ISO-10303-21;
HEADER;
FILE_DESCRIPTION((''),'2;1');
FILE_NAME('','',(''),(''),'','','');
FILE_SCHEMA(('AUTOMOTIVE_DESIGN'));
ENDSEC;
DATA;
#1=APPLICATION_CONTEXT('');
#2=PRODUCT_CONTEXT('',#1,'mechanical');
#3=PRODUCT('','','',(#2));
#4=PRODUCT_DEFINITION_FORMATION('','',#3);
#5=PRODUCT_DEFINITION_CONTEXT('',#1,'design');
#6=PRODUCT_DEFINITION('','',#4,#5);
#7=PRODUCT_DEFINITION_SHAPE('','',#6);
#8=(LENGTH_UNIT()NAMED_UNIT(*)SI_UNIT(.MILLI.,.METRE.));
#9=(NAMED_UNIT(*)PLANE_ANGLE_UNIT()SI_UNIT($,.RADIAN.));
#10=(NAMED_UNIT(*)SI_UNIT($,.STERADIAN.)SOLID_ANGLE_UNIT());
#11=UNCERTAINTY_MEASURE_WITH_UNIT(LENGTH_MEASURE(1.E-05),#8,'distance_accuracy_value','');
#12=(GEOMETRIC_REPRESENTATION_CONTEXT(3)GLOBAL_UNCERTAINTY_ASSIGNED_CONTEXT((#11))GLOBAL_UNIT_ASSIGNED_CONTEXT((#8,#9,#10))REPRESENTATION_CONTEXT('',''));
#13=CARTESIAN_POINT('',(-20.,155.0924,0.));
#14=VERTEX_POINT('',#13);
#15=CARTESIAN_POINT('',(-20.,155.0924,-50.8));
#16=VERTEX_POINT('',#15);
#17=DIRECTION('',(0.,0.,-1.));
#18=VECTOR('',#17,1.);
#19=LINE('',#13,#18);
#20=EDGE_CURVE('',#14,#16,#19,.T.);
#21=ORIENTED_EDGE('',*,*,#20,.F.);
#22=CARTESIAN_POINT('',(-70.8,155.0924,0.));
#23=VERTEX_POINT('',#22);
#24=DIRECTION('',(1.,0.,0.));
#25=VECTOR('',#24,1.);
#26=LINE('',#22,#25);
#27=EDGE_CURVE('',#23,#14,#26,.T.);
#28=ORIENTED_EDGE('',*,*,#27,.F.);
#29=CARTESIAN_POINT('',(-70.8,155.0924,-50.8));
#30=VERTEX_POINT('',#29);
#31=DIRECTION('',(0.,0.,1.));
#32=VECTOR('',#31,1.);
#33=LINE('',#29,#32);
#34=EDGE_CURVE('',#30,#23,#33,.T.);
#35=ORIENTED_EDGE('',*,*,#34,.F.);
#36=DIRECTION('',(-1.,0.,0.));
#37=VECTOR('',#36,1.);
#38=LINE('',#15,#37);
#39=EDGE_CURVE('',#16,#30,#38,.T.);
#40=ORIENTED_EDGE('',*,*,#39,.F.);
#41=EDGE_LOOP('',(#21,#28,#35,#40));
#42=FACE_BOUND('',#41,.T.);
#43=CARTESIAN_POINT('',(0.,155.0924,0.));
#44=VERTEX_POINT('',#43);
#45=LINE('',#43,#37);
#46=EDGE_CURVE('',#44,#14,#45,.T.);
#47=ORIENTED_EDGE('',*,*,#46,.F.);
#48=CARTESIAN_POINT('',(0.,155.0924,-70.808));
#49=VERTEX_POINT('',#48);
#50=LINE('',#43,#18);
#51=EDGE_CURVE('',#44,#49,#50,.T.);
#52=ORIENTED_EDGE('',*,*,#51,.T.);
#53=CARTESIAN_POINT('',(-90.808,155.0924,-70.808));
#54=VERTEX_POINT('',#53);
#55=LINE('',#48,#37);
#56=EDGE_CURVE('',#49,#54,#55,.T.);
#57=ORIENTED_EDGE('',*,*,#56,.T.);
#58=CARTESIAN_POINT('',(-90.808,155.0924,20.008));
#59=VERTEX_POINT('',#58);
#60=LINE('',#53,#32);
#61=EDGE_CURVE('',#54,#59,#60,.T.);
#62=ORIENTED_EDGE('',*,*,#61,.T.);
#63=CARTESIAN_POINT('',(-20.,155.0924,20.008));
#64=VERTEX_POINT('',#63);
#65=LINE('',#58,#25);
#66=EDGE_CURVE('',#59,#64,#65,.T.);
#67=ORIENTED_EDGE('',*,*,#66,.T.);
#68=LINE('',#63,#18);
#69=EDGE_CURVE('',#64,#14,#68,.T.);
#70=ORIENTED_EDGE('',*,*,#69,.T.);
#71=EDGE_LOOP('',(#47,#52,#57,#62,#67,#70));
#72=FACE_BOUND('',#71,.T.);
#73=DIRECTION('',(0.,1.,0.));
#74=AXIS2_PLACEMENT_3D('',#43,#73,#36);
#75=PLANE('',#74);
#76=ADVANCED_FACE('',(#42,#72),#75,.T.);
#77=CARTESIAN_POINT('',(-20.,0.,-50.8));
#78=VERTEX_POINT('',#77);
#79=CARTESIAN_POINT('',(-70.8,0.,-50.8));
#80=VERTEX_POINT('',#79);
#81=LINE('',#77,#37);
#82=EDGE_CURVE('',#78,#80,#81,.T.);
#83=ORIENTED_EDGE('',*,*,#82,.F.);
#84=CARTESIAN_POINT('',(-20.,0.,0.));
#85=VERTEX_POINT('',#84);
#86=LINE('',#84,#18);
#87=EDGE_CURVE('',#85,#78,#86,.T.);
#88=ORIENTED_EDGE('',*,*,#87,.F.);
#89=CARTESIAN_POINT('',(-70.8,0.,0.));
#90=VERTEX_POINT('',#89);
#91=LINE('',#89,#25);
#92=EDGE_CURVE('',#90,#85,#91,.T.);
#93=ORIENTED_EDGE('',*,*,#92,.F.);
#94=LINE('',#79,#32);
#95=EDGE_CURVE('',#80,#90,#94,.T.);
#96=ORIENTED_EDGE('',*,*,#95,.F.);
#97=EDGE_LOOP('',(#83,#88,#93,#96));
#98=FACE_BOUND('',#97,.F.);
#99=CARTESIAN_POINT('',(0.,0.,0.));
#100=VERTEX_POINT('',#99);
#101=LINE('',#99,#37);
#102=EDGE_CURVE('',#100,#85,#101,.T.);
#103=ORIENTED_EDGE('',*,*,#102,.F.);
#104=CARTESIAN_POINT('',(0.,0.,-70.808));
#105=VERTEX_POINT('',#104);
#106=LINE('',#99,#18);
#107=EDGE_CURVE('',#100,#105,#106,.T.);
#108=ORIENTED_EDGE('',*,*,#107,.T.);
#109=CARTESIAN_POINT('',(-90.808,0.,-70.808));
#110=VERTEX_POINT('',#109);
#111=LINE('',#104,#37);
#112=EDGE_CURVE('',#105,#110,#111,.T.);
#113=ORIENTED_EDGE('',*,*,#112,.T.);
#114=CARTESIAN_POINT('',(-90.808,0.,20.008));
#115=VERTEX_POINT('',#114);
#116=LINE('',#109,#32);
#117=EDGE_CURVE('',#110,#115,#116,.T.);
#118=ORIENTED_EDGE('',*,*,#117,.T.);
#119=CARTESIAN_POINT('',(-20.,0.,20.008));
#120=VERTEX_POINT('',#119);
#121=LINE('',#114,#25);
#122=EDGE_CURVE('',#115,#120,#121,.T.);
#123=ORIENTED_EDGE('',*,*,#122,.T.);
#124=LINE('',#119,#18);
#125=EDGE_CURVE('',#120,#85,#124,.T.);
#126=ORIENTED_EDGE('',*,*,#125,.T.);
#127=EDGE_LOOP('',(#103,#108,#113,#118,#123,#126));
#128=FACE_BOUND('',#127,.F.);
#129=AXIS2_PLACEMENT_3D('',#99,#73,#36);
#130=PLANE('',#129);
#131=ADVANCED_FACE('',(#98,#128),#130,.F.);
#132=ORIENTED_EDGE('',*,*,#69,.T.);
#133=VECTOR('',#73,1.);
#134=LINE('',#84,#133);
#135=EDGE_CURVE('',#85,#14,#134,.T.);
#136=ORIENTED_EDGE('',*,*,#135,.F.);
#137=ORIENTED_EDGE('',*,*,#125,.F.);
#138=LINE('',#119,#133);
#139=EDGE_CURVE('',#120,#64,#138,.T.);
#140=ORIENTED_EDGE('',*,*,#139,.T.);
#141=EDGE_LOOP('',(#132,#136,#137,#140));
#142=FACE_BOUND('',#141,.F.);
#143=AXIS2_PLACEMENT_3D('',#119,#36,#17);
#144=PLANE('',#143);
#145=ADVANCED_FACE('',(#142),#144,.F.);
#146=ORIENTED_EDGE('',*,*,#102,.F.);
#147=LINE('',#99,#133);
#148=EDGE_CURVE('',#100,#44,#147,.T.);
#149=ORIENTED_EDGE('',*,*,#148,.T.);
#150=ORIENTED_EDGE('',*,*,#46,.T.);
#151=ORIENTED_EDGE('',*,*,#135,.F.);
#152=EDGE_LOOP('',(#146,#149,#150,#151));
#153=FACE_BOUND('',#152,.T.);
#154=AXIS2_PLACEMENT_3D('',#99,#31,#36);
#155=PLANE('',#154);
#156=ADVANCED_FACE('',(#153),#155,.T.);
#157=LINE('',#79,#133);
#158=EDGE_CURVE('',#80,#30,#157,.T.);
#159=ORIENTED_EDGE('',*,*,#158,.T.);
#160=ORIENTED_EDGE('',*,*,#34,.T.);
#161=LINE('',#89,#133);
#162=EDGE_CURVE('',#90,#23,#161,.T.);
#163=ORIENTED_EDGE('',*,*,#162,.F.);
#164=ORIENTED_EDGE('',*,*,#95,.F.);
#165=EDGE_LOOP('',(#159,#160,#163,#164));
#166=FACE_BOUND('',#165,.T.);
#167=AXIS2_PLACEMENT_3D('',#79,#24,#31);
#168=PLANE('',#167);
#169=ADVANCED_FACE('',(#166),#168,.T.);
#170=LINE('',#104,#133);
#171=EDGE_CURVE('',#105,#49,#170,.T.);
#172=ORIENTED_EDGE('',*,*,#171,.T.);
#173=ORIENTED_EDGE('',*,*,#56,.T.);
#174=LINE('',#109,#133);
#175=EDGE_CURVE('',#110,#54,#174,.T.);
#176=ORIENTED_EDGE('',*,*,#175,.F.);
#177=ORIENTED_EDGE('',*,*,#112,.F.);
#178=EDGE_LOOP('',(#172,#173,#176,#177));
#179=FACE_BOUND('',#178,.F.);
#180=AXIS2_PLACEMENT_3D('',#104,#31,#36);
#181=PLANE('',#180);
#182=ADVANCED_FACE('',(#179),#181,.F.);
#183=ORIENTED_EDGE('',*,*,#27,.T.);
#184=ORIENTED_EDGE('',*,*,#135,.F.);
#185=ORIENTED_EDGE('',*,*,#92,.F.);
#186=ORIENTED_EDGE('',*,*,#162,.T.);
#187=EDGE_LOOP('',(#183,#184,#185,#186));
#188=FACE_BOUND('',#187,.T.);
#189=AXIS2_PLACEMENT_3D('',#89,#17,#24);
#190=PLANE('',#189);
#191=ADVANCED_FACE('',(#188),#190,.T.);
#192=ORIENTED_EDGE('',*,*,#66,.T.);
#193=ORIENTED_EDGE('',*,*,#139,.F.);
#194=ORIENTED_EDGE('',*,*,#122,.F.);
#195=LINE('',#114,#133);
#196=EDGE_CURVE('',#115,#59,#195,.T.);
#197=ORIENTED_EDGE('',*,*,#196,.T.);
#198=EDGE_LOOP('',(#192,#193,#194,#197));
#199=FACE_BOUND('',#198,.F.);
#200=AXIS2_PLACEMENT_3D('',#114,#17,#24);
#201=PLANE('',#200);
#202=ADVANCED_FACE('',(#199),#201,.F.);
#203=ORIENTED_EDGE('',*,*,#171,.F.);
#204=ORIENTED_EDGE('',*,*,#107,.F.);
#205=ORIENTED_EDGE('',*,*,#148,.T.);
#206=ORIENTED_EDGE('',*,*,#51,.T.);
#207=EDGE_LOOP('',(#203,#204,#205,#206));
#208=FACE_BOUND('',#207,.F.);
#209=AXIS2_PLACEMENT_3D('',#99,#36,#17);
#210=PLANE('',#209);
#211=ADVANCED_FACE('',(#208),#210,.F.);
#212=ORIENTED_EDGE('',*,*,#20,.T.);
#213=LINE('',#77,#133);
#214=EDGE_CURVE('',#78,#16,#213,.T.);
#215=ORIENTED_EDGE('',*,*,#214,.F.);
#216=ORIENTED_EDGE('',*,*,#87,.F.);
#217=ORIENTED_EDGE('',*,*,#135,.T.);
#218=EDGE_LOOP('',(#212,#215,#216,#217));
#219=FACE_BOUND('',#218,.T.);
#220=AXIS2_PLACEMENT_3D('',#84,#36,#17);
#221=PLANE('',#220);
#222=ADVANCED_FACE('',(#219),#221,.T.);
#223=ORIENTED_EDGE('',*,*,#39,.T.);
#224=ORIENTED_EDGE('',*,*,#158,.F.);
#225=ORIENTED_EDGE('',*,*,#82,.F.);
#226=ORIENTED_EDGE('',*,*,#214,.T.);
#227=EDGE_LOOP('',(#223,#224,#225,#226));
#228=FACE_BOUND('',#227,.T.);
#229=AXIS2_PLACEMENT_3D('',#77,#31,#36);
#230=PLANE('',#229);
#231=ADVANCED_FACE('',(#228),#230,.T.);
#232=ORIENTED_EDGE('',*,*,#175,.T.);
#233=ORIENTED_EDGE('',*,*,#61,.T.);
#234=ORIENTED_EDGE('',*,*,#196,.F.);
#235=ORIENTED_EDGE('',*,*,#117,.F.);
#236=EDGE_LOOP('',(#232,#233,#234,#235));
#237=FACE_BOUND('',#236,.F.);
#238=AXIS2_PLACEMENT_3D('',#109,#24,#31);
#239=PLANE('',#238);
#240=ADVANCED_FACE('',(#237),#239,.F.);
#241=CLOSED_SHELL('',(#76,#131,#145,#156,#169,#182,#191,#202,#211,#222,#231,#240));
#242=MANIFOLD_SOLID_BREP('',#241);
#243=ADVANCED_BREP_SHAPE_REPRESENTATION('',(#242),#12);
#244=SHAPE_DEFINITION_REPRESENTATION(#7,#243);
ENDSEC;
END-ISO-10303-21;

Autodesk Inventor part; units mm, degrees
ref_plane "YZ Plane" through (0, 0, 0) normal (1, 0, 0) x (0, 1, 0)
ref_plane "XZ Plane" through (0, 0, 0) normal (0, 1, 0) x (-1, 0, 0)
ref_plane "XY Plane" through (0, 0, 0) normal (0, 0, 1) x (1, 0, 0)
sketch "Sketch1" plane through (0, 0, 0) normal (0, 1, 0) x (-1, 0, 0)
  line L0 (0, 0) -> (20, 0)
  line L1 (20, 0) -> (20, -50.8)
  line L2 (20, -50.8) -> (70.8, -50.8)
  line L3 (70.8, -50.8) -> (70.8, 0)
  line L4 (70.8, 0) -> (20, 0)
  line L5 (0, 0) -> (0, -70.808)
  line L6 (0, -70.808) -> (90.808, -70.808)
  line L7 (90.808, -70.808) -> (90.808, 20.008)
  line L8 (90.808, 20.008) -> (20, 20.008)
  line L9 (20, 20.008) -> (20, 0)
  dimension "d0" = 20
  dimension "d1" = 50.8
  dimension "d2" = 50.8
  dimension "d3" = 50.8
  dimension "d4" = 50.8
  dimension "d6" = 28.2899
  dimension "d7" = 28.2956
  dimension "d8" = 28.2956
  dimension "d11" = 20.008
extrude "Extrusion1" add sketch "Sketch1" along normal blind 155.0924
properties part number "LegHolder" material "Wood (Birch)"
